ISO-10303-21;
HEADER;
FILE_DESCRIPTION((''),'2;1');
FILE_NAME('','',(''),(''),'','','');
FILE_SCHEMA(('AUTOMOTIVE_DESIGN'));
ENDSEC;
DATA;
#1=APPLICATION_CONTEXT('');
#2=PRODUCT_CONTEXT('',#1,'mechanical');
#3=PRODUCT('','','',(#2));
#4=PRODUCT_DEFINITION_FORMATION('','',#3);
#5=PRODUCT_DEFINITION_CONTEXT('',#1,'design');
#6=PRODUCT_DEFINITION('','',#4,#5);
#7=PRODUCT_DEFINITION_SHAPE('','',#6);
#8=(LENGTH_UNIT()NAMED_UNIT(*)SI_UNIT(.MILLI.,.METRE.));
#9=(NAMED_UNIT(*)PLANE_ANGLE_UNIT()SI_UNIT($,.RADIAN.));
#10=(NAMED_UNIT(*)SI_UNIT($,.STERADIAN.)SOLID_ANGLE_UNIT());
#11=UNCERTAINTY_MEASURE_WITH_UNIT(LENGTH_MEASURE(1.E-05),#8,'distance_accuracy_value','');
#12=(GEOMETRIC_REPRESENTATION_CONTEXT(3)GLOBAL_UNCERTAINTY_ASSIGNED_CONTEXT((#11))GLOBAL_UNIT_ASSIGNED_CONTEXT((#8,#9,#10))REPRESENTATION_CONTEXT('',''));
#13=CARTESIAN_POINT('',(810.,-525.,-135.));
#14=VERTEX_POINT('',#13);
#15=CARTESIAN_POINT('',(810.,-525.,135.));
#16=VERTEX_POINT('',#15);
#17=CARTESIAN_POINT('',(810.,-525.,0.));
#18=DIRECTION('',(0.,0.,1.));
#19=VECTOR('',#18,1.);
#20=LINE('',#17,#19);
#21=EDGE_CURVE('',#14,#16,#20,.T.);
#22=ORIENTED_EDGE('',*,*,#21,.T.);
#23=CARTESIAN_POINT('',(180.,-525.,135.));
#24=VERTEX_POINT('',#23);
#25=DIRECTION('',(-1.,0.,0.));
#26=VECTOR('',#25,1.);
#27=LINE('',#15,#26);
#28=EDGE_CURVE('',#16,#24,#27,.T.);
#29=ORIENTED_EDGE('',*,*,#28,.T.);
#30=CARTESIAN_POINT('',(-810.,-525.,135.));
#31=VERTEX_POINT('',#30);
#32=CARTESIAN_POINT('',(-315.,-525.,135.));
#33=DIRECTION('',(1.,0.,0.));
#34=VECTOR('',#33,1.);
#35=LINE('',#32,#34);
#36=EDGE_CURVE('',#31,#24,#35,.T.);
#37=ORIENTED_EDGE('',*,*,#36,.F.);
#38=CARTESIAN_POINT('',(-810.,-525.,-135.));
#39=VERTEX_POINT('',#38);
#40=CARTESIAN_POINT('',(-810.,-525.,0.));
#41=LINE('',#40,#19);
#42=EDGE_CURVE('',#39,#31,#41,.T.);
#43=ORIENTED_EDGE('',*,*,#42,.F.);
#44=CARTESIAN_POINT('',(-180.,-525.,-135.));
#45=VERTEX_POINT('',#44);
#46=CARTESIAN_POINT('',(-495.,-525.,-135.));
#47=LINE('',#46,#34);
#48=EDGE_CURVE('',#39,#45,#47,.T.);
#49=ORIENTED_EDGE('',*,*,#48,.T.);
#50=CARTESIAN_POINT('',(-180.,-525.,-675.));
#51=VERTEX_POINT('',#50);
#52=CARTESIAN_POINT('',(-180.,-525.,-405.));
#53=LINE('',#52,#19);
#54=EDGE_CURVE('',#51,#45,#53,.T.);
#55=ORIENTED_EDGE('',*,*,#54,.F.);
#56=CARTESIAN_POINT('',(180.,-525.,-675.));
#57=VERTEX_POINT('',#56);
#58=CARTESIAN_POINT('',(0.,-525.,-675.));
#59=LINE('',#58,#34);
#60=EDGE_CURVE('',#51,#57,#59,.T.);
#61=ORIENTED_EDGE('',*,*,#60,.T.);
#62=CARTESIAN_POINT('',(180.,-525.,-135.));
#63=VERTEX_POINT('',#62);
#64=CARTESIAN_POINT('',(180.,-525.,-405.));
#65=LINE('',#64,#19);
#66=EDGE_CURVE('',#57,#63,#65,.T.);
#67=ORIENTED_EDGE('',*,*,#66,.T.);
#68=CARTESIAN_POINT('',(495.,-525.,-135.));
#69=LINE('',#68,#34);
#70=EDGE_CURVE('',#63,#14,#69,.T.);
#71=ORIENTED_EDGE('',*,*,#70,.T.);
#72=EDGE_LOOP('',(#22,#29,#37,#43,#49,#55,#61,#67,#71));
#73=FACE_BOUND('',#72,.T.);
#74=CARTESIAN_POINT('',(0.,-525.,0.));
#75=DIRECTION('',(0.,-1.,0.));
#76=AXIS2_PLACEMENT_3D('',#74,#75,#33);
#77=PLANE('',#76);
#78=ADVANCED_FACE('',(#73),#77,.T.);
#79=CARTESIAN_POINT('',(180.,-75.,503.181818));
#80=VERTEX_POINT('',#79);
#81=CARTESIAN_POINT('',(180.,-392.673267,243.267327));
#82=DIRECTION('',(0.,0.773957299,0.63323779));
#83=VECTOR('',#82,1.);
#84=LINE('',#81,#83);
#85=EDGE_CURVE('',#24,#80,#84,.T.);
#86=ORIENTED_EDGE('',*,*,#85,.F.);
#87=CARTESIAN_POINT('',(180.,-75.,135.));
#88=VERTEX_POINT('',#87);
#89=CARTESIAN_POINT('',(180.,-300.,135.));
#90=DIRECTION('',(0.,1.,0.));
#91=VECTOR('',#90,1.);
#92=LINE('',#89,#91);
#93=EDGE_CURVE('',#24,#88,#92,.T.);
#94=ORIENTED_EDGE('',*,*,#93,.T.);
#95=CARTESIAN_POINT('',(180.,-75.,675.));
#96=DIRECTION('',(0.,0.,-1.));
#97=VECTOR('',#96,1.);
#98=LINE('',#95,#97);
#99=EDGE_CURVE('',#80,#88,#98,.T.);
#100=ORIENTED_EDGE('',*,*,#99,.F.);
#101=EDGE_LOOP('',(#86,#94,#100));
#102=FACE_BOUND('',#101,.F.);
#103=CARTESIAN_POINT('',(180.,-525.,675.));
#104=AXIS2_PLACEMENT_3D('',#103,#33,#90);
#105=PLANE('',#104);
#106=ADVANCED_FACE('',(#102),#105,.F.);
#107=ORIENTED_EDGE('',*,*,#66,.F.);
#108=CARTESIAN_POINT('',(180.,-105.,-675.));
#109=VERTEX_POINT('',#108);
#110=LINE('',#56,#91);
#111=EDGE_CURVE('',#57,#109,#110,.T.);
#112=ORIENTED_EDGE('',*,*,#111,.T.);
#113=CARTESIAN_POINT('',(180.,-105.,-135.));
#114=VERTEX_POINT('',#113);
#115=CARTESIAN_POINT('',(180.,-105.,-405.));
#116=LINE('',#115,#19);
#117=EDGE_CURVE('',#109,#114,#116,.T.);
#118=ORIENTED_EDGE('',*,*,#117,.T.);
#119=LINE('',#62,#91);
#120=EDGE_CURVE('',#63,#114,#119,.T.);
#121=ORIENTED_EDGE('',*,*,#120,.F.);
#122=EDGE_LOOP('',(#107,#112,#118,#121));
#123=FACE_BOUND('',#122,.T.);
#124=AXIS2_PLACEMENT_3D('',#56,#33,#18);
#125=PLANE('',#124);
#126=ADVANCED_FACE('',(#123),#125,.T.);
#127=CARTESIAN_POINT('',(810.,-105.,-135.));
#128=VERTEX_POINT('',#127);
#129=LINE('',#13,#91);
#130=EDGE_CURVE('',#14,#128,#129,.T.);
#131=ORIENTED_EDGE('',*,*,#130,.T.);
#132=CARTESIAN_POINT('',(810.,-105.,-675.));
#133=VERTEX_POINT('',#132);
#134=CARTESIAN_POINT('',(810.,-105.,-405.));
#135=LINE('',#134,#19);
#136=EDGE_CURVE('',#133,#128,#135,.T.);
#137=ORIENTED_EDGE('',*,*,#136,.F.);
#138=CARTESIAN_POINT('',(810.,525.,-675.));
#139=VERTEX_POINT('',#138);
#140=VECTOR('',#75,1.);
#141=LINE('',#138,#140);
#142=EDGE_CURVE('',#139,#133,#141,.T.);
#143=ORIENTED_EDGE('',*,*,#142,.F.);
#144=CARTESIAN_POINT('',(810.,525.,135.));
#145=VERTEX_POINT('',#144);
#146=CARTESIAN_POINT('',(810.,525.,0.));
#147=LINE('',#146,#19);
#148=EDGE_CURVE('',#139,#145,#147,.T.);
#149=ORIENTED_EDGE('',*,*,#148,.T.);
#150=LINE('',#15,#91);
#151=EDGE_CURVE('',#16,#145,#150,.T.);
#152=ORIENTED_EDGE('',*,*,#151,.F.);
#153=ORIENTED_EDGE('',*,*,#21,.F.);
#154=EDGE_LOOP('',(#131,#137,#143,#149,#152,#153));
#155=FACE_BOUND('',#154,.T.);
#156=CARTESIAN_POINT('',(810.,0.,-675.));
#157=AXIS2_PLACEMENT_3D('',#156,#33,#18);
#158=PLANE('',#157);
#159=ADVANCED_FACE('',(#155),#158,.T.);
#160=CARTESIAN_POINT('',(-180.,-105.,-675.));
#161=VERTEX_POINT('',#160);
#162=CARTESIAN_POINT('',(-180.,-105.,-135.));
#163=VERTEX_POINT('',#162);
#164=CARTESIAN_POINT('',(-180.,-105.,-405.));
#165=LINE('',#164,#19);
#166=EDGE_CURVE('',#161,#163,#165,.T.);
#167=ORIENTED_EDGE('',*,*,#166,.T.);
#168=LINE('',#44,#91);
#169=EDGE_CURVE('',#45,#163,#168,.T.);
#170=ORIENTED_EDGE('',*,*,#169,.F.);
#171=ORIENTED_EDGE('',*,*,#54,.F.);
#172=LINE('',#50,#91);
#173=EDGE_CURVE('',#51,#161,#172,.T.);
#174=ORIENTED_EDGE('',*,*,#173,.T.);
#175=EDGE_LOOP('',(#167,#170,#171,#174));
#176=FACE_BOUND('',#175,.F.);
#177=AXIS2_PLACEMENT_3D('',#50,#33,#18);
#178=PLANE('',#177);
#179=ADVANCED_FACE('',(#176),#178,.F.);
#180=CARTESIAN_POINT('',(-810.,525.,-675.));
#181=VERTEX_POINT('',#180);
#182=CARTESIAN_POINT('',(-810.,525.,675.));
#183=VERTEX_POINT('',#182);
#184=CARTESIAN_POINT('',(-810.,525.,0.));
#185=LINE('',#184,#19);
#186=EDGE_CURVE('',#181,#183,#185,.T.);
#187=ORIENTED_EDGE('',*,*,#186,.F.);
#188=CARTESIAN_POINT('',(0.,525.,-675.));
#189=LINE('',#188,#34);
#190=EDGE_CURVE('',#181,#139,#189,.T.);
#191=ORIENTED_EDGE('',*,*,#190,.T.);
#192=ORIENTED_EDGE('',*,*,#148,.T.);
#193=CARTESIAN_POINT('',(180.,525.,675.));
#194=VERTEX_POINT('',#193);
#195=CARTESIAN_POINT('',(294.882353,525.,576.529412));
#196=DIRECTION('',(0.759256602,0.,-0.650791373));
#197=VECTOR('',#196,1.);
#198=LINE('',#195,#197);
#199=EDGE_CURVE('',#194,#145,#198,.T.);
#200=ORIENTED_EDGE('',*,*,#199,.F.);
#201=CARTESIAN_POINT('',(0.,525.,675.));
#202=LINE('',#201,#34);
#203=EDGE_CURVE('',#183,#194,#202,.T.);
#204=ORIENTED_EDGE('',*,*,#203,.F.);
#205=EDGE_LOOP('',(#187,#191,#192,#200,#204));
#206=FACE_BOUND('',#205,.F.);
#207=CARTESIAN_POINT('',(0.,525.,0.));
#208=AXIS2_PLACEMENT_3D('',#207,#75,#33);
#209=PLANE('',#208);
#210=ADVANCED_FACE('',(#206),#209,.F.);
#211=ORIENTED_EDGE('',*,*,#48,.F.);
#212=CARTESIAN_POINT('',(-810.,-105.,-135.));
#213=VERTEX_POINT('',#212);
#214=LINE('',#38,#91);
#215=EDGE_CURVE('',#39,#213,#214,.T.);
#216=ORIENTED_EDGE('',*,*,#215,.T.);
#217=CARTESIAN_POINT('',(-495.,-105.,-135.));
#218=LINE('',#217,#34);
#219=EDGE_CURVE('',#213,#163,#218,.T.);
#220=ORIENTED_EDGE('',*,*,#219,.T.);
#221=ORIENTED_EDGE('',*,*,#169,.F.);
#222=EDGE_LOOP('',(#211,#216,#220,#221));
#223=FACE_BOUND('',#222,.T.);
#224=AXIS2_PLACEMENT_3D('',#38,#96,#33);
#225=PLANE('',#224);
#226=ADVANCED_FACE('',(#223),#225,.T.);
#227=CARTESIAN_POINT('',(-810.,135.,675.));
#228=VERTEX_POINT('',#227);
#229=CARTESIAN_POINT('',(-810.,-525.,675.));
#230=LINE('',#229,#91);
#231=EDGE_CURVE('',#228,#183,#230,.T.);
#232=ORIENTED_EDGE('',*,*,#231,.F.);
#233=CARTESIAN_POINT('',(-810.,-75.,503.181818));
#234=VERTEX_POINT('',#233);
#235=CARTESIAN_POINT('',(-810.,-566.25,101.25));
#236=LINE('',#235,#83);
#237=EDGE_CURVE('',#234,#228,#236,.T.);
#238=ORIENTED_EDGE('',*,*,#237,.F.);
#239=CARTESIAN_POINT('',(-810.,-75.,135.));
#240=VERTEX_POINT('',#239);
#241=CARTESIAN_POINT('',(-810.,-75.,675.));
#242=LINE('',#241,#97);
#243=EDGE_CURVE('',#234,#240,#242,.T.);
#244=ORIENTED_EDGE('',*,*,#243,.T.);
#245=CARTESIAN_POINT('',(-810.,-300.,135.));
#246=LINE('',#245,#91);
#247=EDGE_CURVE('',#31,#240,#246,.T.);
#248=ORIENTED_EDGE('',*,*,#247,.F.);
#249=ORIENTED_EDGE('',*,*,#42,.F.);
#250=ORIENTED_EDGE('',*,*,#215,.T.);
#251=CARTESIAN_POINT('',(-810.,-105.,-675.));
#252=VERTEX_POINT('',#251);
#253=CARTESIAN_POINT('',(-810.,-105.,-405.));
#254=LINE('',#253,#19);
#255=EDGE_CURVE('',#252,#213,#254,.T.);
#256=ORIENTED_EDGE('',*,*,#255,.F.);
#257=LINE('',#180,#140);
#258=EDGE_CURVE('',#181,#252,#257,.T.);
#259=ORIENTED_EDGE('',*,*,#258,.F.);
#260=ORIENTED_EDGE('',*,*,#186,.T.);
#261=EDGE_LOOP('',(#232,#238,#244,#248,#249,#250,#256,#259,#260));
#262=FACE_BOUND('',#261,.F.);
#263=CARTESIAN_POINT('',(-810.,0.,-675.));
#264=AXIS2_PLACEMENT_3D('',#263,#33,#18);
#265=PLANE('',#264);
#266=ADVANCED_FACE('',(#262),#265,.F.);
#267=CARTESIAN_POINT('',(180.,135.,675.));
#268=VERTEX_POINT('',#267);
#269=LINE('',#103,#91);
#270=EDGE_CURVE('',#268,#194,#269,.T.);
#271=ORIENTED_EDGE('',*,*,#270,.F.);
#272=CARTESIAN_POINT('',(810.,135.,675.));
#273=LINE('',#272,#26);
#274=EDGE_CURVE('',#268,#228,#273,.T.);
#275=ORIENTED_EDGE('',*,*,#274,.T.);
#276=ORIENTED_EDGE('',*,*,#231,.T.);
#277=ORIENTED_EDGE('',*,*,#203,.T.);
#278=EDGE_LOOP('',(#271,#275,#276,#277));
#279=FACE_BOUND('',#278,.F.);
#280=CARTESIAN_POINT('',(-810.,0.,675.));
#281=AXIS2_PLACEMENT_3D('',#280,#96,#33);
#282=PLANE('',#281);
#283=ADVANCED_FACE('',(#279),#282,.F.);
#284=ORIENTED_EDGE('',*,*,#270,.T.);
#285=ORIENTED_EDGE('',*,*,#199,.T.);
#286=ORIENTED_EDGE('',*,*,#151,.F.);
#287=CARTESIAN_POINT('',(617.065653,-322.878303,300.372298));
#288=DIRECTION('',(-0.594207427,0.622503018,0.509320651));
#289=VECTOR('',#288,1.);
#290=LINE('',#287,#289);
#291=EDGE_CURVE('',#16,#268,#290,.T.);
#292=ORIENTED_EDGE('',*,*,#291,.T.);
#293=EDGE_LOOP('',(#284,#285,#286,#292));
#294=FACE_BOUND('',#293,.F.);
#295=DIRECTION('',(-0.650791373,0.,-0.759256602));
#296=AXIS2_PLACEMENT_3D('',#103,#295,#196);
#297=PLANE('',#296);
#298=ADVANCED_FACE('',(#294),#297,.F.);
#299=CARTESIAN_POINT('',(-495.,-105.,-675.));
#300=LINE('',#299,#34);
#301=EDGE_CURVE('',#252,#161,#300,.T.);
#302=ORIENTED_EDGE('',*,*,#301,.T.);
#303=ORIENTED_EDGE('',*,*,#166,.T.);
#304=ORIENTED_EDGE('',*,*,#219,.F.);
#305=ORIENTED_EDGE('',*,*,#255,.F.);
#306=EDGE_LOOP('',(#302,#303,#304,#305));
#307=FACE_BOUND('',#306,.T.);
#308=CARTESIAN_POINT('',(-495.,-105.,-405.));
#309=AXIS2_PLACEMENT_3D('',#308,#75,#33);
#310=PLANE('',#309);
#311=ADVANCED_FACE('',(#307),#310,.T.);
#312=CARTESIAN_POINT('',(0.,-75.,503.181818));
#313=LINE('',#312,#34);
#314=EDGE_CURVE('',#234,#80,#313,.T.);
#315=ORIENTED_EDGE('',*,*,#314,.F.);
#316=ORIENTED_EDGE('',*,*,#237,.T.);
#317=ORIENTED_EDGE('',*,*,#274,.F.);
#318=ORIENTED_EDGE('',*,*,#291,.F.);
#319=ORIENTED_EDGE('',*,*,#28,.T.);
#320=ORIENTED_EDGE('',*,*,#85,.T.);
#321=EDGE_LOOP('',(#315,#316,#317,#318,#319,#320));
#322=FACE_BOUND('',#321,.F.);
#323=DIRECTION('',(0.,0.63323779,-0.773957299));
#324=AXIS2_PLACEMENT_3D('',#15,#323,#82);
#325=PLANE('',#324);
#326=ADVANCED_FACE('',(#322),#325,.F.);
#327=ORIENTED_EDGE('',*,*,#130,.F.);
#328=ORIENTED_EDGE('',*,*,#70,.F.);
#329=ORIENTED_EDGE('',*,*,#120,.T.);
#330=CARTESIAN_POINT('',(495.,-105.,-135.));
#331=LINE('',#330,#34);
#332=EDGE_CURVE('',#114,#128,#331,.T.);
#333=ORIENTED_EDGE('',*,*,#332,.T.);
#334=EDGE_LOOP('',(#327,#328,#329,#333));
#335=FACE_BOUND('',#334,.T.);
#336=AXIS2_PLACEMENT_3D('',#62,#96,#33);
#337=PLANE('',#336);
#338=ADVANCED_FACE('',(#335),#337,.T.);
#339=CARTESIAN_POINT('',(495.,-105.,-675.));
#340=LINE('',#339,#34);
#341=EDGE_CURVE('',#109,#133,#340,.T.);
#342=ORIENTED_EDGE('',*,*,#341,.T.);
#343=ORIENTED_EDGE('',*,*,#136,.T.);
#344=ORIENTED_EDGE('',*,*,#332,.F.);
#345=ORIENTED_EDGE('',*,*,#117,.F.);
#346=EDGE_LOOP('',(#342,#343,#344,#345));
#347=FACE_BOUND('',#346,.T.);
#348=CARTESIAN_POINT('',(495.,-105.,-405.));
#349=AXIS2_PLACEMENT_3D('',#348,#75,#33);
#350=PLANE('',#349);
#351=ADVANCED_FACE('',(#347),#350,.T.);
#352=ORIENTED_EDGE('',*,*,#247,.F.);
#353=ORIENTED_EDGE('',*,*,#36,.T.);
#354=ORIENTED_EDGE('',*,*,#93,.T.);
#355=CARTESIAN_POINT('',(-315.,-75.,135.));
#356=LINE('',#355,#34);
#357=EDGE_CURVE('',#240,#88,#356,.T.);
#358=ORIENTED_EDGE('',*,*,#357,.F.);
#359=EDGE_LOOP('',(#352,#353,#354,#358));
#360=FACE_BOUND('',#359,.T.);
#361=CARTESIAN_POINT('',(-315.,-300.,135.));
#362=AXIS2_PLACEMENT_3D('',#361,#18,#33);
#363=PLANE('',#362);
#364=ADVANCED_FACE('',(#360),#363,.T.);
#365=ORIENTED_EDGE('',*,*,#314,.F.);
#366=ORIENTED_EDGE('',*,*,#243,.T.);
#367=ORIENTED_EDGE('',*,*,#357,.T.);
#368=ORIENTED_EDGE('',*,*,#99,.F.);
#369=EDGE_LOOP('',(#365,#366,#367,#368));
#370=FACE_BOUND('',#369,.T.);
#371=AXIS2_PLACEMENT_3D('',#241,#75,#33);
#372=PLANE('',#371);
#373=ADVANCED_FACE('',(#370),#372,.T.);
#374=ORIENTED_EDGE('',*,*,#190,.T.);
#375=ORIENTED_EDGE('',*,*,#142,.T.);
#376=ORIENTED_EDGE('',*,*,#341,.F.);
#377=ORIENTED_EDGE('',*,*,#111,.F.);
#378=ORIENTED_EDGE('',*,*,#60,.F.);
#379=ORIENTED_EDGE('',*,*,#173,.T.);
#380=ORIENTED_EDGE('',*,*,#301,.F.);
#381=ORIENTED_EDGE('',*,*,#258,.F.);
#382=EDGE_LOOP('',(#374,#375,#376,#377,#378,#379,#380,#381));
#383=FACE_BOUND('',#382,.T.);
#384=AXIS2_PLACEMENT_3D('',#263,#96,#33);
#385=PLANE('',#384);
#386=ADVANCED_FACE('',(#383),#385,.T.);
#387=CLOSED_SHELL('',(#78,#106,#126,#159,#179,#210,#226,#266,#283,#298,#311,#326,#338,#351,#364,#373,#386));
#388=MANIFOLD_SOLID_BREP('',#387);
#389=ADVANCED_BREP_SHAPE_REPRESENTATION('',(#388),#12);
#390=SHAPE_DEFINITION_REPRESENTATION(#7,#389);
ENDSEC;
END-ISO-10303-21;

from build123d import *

# Parameters (mm, degrees)
F0_W     = 1620
F0_H     = 1350
F1_DEPTH = 525
F2_W     = 630
F2_H     = 540
F3_DEPTH = 420
F4_W     = 990
F4_H     = 450
F5_DEPTH = 540
F7_DEPTH = 1620.001
F9_DEPTH = 1050.001


with BuildPart() as f1:
    # F0 (on Front) → F1 (new body, symmetric)
    with BuildSketch(Plane.XZ):
        Rectangle(F0_W, F0_H)
    extrude(amount=F1_DEPTH, both=True)

    # F2 (on face) → F3 (cut)
    with BuildSketch(Plane.XZ.offset(525)):
        with Locations((-495, -405)):
            Rectangle(F2_W, F2_H)
        with Locations((495, -405)):
            Rectangle(F2_W, F2_H)
    extrude(amount=-F3_DEPTH, mode=Mode.SUBTRACT)

    # F4 (on face) → F5 (cut)
    with BuildSketch(Plane.XY.offset(675)):
        with Locations((-315, -300)):
            Rectangle(F4_W, F4_H)
    extrude(amount=-F5_DEPTH, mode=Mode.SUBTRACT)

    # F6 (on face) → F7 (cut, through all)
    with BuildSketch(Plane.YZ.offset(810)):
        Polygon((135, 675), (-525, 675), (-525, 135), align=None)
    extrude(amount=-F7_DEPTH, mode=Mode.SUBTRACT)

    # F8 (on face) → F9 (cut, through all)
    with BuildSketch(Plane.XZ.offset(525)):
        Polygon((180, 675), (810, 135), (810, 675), align=None)
    extrude(amount=-F9_DEPTH, mode=Mode.SUBTRACT)


solid = f1.part
